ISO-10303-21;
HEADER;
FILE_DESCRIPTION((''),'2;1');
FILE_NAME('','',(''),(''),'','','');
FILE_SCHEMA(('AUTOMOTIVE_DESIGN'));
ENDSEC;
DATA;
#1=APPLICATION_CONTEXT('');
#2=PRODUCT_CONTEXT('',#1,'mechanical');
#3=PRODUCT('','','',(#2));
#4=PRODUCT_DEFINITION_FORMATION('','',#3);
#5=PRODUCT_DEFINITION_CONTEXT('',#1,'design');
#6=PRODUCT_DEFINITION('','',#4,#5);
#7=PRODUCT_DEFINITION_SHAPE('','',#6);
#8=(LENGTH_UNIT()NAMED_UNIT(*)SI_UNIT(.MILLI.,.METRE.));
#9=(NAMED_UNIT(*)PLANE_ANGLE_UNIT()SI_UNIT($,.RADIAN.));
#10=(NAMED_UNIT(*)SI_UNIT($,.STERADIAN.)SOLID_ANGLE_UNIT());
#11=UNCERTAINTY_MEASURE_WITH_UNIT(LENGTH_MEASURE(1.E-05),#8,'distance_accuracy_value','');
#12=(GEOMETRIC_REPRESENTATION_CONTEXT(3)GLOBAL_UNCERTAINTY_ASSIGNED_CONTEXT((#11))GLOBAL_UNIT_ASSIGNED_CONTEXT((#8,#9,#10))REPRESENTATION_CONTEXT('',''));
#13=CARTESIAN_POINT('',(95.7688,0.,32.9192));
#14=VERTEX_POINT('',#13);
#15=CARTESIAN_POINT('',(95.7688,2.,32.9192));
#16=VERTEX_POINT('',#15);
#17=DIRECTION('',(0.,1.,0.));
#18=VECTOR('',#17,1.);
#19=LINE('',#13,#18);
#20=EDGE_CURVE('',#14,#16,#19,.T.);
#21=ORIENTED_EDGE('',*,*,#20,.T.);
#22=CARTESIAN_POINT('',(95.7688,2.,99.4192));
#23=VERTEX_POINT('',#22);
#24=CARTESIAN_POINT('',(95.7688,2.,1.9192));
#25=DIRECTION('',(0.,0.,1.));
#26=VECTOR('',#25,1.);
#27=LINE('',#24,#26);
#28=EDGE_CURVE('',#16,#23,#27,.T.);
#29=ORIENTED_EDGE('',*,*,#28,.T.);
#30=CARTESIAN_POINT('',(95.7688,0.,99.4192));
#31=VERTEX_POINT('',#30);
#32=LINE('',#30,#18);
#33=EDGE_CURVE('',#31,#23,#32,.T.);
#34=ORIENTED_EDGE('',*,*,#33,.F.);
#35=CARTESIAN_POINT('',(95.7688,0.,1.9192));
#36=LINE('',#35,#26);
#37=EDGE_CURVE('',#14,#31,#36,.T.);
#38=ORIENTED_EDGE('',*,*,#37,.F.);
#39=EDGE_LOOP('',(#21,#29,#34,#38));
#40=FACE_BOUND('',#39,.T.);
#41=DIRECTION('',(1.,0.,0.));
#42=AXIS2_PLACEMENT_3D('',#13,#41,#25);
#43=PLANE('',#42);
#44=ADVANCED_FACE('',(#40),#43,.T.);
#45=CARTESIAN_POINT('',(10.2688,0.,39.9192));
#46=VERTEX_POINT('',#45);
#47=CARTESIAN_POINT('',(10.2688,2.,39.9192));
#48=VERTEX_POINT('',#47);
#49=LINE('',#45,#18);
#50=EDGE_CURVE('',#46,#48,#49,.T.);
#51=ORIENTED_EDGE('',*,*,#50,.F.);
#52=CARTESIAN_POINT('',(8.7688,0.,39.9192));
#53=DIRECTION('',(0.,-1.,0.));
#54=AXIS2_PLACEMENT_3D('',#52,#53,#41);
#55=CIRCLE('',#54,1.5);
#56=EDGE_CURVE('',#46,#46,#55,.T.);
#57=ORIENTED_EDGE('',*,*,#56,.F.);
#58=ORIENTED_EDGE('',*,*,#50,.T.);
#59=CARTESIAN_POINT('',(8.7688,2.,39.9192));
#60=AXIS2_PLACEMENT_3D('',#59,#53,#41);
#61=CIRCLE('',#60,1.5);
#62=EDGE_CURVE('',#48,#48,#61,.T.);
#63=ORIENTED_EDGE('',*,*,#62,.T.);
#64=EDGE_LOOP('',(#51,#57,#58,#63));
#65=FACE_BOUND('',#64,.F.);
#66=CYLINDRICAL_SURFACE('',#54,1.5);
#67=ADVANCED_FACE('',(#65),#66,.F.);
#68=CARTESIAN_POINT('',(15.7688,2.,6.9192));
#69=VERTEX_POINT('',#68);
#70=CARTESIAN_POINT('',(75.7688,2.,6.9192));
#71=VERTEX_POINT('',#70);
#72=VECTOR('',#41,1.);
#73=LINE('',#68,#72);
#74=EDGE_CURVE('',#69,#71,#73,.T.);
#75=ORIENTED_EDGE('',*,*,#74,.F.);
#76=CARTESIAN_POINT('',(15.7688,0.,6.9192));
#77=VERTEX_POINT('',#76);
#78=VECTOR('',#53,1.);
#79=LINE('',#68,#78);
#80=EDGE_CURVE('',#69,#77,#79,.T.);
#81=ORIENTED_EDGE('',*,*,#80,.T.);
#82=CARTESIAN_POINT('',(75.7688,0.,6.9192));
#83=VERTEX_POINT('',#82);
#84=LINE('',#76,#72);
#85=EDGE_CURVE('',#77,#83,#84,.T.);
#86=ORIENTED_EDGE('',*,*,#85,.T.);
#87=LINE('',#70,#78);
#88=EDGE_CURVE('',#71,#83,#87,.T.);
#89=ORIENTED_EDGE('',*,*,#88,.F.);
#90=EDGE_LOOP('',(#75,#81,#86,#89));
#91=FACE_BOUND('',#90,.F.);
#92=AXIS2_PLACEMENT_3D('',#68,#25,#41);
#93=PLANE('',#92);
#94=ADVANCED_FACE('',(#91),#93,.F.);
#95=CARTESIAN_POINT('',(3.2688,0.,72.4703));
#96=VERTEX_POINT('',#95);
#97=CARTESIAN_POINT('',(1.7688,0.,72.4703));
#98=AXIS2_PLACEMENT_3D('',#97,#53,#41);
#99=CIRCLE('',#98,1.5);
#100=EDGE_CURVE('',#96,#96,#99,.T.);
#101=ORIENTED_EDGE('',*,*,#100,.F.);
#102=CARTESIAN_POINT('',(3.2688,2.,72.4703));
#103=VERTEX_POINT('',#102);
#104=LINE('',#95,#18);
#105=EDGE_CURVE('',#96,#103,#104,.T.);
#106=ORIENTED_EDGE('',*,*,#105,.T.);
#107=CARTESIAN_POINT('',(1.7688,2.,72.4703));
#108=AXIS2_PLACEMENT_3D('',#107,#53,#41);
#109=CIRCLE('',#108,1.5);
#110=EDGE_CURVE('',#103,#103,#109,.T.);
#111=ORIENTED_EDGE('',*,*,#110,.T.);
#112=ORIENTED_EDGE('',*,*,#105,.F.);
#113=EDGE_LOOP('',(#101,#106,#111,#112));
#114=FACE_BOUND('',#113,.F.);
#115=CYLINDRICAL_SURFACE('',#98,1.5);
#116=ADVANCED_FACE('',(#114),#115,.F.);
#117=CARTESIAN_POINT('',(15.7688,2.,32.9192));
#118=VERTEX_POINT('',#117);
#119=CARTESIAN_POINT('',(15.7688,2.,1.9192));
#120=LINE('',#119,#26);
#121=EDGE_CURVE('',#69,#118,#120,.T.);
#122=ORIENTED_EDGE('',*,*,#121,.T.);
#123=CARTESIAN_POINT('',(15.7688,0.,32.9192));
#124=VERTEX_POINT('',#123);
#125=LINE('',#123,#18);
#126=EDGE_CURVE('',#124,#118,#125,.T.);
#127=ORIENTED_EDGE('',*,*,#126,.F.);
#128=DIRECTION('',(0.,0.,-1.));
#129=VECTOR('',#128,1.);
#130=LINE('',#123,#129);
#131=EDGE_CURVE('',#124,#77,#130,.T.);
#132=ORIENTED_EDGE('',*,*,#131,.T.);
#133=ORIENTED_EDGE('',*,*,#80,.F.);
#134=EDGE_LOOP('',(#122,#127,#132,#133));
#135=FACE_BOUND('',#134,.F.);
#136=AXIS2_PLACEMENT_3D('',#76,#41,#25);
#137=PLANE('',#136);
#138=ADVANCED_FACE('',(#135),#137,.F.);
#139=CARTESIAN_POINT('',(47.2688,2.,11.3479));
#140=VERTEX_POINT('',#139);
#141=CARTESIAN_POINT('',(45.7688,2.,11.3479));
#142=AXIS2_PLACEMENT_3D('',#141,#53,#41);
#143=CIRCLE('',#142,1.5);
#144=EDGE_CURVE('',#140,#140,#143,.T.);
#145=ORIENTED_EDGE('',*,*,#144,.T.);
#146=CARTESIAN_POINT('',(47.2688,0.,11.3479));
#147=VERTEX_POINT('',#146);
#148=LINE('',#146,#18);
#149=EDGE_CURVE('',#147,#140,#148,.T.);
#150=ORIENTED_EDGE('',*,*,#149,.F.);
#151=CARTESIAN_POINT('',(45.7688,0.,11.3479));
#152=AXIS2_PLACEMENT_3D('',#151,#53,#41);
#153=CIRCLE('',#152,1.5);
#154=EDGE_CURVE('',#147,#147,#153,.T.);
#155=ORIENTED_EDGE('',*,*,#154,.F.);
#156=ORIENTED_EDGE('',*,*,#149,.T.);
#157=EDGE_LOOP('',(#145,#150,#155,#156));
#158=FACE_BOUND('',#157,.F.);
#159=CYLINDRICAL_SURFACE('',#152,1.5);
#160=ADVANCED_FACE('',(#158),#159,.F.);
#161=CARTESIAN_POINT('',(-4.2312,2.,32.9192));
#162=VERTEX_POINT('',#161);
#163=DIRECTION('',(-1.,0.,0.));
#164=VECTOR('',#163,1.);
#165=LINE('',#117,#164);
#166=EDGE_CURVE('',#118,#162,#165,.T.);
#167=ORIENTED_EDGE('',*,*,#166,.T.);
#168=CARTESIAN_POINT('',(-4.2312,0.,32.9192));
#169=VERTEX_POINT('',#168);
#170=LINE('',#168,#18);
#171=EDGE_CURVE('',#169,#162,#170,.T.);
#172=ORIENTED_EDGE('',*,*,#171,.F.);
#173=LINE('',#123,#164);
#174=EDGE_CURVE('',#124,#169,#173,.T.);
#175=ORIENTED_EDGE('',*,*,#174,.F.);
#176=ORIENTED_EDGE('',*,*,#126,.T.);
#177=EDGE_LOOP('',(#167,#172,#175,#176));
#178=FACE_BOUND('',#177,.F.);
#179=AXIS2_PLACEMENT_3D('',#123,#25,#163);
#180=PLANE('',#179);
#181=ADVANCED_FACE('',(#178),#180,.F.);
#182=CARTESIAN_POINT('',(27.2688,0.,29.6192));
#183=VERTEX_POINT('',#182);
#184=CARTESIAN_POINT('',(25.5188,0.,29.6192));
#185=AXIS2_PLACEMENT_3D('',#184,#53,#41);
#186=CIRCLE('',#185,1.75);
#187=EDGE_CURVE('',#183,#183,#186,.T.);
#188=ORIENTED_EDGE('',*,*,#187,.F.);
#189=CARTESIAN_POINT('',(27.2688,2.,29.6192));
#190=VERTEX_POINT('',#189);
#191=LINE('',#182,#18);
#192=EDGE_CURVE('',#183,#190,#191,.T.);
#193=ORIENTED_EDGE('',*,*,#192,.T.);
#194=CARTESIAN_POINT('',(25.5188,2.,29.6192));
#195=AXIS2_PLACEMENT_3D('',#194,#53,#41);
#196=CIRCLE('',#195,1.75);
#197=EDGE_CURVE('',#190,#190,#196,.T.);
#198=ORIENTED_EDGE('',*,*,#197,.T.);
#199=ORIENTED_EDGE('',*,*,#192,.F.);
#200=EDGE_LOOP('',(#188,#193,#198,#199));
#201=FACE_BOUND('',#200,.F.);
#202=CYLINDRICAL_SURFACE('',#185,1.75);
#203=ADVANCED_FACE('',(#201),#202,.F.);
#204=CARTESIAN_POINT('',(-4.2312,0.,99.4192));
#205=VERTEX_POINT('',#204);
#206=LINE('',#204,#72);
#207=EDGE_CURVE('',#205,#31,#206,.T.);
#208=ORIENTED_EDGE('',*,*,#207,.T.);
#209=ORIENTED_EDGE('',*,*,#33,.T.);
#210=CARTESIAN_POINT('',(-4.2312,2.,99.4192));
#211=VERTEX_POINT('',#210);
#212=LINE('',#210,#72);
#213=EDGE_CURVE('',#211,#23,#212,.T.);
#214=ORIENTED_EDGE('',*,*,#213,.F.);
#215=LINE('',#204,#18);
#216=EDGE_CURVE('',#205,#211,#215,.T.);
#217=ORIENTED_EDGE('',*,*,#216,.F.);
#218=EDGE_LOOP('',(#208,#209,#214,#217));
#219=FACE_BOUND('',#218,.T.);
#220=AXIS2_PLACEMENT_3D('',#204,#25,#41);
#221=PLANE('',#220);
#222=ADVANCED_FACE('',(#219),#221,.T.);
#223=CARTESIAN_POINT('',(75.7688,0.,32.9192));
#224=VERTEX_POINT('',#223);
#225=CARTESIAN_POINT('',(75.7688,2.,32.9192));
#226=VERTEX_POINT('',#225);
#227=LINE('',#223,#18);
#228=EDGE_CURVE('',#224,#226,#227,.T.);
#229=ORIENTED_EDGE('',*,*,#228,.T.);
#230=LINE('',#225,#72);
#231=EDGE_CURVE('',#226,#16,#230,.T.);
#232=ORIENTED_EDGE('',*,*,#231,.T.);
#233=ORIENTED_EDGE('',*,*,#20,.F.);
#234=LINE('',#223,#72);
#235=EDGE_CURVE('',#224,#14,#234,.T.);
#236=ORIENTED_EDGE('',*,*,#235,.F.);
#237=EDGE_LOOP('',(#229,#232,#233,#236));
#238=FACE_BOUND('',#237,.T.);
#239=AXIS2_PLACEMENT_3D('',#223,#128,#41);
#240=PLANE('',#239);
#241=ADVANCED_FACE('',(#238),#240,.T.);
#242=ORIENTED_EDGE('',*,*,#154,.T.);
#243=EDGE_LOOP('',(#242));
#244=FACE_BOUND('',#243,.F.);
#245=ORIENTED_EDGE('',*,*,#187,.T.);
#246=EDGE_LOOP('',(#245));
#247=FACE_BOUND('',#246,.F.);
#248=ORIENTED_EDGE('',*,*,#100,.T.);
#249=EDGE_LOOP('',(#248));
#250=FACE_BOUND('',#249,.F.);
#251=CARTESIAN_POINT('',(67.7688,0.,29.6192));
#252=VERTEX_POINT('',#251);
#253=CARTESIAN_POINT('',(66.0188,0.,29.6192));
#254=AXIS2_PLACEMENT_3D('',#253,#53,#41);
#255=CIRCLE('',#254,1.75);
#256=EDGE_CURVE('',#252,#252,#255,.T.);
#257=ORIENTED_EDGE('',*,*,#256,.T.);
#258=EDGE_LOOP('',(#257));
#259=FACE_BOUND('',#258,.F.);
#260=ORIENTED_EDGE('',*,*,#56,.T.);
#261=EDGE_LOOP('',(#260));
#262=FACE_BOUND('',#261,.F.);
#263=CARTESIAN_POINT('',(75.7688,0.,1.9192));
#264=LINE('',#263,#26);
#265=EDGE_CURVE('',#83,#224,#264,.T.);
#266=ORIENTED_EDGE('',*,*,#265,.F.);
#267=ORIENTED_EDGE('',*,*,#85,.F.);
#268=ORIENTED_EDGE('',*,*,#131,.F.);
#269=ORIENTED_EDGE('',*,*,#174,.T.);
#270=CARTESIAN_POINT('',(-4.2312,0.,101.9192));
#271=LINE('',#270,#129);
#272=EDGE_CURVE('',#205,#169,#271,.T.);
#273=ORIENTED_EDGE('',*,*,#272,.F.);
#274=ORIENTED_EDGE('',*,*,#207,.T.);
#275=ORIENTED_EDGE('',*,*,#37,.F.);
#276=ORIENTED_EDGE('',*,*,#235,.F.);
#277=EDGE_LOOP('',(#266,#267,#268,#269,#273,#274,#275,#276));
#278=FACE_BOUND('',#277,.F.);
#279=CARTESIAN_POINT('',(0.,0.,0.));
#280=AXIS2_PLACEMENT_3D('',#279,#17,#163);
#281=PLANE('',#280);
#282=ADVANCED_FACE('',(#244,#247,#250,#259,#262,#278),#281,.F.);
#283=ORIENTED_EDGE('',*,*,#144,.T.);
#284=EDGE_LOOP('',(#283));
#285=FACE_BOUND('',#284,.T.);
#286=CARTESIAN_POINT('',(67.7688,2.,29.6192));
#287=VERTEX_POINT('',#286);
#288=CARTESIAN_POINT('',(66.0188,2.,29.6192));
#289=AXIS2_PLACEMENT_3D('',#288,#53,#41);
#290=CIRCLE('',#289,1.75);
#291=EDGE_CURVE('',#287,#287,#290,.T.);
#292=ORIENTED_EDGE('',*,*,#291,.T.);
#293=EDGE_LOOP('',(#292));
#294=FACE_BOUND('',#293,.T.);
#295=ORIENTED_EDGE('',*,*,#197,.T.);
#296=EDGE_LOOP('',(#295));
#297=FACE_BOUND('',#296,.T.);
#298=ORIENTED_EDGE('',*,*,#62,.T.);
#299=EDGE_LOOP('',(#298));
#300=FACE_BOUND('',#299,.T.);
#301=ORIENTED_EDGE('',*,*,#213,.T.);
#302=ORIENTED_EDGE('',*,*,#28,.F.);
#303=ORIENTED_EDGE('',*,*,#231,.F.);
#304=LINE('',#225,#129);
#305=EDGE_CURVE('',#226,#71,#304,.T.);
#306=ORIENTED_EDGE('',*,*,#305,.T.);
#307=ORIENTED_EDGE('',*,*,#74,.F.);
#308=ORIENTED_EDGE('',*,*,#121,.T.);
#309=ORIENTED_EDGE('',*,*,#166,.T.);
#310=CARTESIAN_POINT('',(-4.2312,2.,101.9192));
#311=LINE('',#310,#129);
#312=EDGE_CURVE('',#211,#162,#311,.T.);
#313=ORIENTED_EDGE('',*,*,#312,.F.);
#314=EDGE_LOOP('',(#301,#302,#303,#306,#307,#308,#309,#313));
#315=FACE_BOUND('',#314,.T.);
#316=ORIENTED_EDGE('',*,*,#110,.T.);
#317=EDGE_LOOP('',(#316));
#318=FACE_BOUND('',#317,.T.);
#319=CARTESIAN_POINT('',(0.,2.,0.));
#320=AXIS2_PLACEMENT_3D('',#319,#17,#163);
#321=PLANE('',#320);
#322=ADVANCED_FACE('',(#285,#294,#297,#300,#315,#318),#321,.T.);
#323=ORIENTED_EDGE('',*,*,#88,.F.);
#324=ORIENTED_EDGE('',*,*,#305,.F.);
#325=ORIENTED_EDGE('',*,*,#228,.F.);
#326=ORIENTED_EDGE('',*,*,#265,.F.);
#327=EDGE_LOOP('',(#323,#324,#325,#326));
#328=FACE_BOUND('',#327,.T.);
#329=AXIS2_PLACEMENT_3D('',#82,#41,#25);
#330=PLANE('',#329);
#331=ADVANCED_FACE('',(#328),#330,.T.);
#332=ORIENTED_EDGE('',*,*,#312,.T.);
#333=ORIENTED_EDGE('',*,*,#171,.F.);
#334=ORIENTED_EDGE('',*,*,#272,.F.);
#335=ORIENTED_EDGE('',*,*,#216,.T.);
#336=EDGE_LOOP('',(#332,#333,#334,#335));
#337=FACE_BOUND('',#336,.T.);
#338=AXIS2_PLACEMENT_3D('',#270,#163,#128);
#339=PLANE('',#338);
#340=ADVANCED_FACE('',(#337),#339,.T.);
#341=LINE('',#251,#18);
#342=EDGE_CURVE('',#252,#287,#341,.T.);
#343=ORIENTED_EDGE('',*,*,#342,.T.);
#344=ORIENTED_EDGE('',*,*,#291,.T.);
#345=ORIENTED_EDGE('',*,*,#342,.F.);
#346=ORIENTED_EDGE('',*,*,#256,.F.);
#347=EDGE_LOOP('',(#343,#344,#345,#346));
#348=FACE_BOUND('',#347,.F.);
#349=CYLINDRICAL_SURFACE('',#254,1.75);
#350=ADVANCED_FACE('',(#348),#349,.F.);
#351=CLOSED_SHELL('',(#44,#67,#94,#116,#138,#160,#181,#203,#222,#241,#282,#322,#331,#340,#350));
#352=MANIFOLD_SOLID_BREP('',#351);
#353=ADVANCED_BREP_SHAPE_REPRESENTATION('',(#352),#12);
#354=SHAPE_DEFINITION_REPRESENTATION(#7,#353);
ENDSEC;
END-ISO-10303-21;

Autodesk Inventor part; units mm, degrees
ref_plane "YZ Plane" through (0, 0, 0) normal (1, 0, 0) x (0, 1, 0)
ref_plane "XZ Plane" through (0, 0, 0) normal (0, 1, 0) x (-1, 0, 0)
ref_plane "XY Plane" through (0, 0, 0) normal (0, 0, 1) x (1, 0, 0)
sketch "Sketch1" plane through (0, 0, 0) normal (0, 1, 0) x (-1, 0, 0)
  line L0 (-95.7688, 101.9192) -> (4.2312, 101.9192)
  line L1 (4.2312, 101.9192) -> (4.2312, 1.9192)
  line L2 (4.2312, 1.9192) -> (-95.7688, 1.9192)
  line L3 (-95.7688, 1.9192) -> (-95.7688, 101.9192)
  line L4 (-95.7688, 1.9192) -> (4.2312, 1.9192)
  line L5 (4.2312, 1.9192) -> (4.2312, 6.9192)
  line L6 (4.2312, 6.9192) -> (-95.7688, 6.9192)
  line L7 (-95.7688, 6.9192) -> (-95.7688, 1.9192)
  line L8 (4.2312, 1.9192) -> (-15.7688, 1.9192)
  line L9 (-15.7688, 1.9192) -> (-15.7688, 32.9192)
  line L10 (-15.7688, 32.9192) -> (4.2312, 32.9192)
  line L11 (4.2312, 32.9192) -> (4.2312, 1.9192)
  line L12 (-95.7688, 1.9192) -> (-75.7688, 1.9192)
  line L13 (-75.7688, 1.9192) -> (-75.7688, 32.9192)
  line L14 (-75.7688, 32.9192) -> (-95.7688, 32.9192)
  line L15 (-95.7688, 32.9192) -> (-95.7688, 1.9192)
  point P0 (0, 0)
  dimension "d0" = 100
  dimension "d1" = 100
  dimension "d2" = 5
  dimension "d3" = 20
  dimension "d4" = 31
  dimension "d5" = 20
extrude "Extrusion1" add sketch "Sketch1" along normal blind 2 contours L0 L1 L10 L9 L6 L13 L14 L3 | L6 L9 L2 L13
sketch "Sketch2" plane through (0, 2, 0) normal (0, 1, 0) x (1, 0, 0)
  line L0 (-4.2312, -82.6348) -> (-4.2312, -11.6268) projected
  line L1 (95.7688, -11.6268) -> (95.7688, -82.6348) projected
  line L2 (75.7688, -32.9192) -> (75.7688, -1.9192) projected
  line L3 (15.7688, -1.9192) -> (15.7688, -32.9192) projected
  line L4 (75.7688, -1.9192) -> (15.7688, -1.9192)
  line L5 (15.7688, -1.9192) -> (15.7688, -6.9192)
  line L6 (15.7688, -6.9192) -> (75.7688, -6.9192)
  line L7 (75.7688, -6.9192) -> (75.7688, -1.9192)
  line L8 (95.7688, -82.6348) -> (-4.2312, -82.6348) projected
  line L9 (95.7688, -11.6268) -> (-4.2312, -11.6268) projected
  point P0 (0, 0)
  dimension "d8" = 5
extrude "Extrusion2" cut sketch "Sketch2" against normal blind 2 contours L3 L4 L2 L6
sketch "Szkic3" plane through (0, 2, 0) normal (0, 1, 0) x (1, 0, 0)
  circle A0 centre (66.0188, -29.6192) radius 1.75
  circle A1 centre (25.5188, -29.6192) radius 1.75
  point P0 (0, 0)
extrude "Wyciągnięcie proste3" cut sketch "Szkic3" against normal through all
sketch "Szkic4" plane through (0, 0, 0) normal (0, -1, 0) x (1, 0, 0)
  circle A0 centre (25.5188, 29.6192) radius 1.75 projected
  circle A1 centre (66.0188, 29.6192) radius 1.75 projected
  line L0 (15.7688, 6.9192) -> (75.7688, 6.9192) projected
  line L1 (75.7688, 32.9192) -> (75.7688, 6.9192) projected
  line L2 (95.7688, 32.9192) -> (75.7688, 32.9192) projected
  line L3 (95.7688, 101.9192) -> (95.7688, 32.9192) projected
  line L4 (-4.2312, 101.9192) -> (95.7688, 101.9192) projected
  line L5 (-4.2312, 32.9192) -> (-4.2312, 101.9192) projected
  line L6 (15.7688, 32.9192) -> (-4.2312, 32.9192) projected
  line L7 (15.7688, 6.9192) -> (15.7688, 32.9192) projected
  point P0 (0, 0)
extrude "Wyciągnięcie proste4" add sketch "Szkic4" against normal up to surface (2 mm away) contours A0 | A1
sketch "Szkic5" plane through (0, 2, 0) normal (0, 1, 0) x (1, 0, 0)
  circle A0 centre (22.8938, -32.6829) radius 1.5
  circle A1 centre (68.6438, -32.6829) radius 1.5
  point P0 (0, 0)
extrude "Wyciągnięcie proste5" cut sketch "Szkic5" against normal through all
sketch "Szkic6" plane through (-4.2312, 0, 101.9192) normal (0, 0, 1) x (1, 0, 0)
  line L0 (0, 0) -> (100, 0) projected
  line L1 (100, 0) -> (100, 2) projected
  line L2 (0, 2) -> (100, 2) projected
  line L3 (0, 0) -> (0, 2) projected
  point P0 (4.2312, 0)
extrude "Wyciągnięcie proste6" cut sketch "Szkic6" against normal blind 2.5
sketch "Szkic7" plane through (0, 0, 0) normal (0, -1, 0) x (1, 0, 0)
  circle A0 centre (1.7688, 72.4703) radius 1.5
  circle A1 centre (8.7688, 39.9192) radius 1.5
  point P0 (0, 0)
extrude "Wyciągnięcie proste7" cut sketch "Szkic7" against normal through all
sketch "Szkic8" plane through (0, 0, 0) normal (0, -1, 0) x (1, 0, 0)
  circle A0 centre (8.7688, 39.9192) radius 1.5 projected
  circle A1 centre (1.7688, 72.4703) radius 1.5 projected
  line L0 (95.7688, 99.4192) -> (-4.2312, 99.4192) projected
  line L1 (-4.2312, 32.9192) -> (-4.2312, 99.4192) projected
  line L2 (15.7688, 32.9192) -> (-4.2312, 32.9192) projected
  line L3 (15.7688, 6.9192) -> (15.7688, 32.9192) projected
  line L4 (15.7688, 6.9192) -> (75.7688, 6.9192) projected
  line L5 (75.7688, 32.9192) -> (75.7688, 6.9192) projected
  line L6 (95.7688, 32.9192) -> (75.7688, 32.9192) projected
  line L7 (95.7688, 99.4192) -> (95.7688, 32.9192) projected
  circle A2 centre (22.8938, 32.6829) radius 1.5 projected
  circle A3 centre (68.6438, 32.6829) radius 1.5 projected
  line L8 (-4.2312, 39.9192) -> (21.3688, 39.9192)
  circle A4 centre (21.3688, 39.9192) radius 2.1391
  line L9 (-4.2312, 32.9192) -> (-4.2312, 60.9192)
  line L10 (-4.2312, 32.9192) -> (-4.2312, 99.4192) projected
  point P0 (0, 0)
  dimension "d21" = 25.6
  dimension "d22" = 28
sketch "Szkic9" plane through (0, 0, 0) normal (0, -1, 0) x (1, 0, 0)
  circle A0 centre (25.5188, 29.6192) radius 1.75
  circle A1 centre (66.0188, 29.6192) radius 1.75
  point P0 (0, 0)
extrude "Wyciągnięcie proste8" cut sketch "Szkic9" against normal through all
extrude "Wyciągnięcie proste9" add sketch "Szkic8" against normal up to surface (2 mm away) contours A2 | A3
sketch "Szkic10" plane through (0, 0, 0) normal (0, -1, 0) x (1, 0, 0)
  circle A0 centre (45.7688, 11.3479) radius 1.5
  point P0 (0, 0)
extrude "Wyciągnięcie proste10" cut sketch "Szkic10" against normal through all
properties part number "minisumopodsr" material "Aluminum 6061"
